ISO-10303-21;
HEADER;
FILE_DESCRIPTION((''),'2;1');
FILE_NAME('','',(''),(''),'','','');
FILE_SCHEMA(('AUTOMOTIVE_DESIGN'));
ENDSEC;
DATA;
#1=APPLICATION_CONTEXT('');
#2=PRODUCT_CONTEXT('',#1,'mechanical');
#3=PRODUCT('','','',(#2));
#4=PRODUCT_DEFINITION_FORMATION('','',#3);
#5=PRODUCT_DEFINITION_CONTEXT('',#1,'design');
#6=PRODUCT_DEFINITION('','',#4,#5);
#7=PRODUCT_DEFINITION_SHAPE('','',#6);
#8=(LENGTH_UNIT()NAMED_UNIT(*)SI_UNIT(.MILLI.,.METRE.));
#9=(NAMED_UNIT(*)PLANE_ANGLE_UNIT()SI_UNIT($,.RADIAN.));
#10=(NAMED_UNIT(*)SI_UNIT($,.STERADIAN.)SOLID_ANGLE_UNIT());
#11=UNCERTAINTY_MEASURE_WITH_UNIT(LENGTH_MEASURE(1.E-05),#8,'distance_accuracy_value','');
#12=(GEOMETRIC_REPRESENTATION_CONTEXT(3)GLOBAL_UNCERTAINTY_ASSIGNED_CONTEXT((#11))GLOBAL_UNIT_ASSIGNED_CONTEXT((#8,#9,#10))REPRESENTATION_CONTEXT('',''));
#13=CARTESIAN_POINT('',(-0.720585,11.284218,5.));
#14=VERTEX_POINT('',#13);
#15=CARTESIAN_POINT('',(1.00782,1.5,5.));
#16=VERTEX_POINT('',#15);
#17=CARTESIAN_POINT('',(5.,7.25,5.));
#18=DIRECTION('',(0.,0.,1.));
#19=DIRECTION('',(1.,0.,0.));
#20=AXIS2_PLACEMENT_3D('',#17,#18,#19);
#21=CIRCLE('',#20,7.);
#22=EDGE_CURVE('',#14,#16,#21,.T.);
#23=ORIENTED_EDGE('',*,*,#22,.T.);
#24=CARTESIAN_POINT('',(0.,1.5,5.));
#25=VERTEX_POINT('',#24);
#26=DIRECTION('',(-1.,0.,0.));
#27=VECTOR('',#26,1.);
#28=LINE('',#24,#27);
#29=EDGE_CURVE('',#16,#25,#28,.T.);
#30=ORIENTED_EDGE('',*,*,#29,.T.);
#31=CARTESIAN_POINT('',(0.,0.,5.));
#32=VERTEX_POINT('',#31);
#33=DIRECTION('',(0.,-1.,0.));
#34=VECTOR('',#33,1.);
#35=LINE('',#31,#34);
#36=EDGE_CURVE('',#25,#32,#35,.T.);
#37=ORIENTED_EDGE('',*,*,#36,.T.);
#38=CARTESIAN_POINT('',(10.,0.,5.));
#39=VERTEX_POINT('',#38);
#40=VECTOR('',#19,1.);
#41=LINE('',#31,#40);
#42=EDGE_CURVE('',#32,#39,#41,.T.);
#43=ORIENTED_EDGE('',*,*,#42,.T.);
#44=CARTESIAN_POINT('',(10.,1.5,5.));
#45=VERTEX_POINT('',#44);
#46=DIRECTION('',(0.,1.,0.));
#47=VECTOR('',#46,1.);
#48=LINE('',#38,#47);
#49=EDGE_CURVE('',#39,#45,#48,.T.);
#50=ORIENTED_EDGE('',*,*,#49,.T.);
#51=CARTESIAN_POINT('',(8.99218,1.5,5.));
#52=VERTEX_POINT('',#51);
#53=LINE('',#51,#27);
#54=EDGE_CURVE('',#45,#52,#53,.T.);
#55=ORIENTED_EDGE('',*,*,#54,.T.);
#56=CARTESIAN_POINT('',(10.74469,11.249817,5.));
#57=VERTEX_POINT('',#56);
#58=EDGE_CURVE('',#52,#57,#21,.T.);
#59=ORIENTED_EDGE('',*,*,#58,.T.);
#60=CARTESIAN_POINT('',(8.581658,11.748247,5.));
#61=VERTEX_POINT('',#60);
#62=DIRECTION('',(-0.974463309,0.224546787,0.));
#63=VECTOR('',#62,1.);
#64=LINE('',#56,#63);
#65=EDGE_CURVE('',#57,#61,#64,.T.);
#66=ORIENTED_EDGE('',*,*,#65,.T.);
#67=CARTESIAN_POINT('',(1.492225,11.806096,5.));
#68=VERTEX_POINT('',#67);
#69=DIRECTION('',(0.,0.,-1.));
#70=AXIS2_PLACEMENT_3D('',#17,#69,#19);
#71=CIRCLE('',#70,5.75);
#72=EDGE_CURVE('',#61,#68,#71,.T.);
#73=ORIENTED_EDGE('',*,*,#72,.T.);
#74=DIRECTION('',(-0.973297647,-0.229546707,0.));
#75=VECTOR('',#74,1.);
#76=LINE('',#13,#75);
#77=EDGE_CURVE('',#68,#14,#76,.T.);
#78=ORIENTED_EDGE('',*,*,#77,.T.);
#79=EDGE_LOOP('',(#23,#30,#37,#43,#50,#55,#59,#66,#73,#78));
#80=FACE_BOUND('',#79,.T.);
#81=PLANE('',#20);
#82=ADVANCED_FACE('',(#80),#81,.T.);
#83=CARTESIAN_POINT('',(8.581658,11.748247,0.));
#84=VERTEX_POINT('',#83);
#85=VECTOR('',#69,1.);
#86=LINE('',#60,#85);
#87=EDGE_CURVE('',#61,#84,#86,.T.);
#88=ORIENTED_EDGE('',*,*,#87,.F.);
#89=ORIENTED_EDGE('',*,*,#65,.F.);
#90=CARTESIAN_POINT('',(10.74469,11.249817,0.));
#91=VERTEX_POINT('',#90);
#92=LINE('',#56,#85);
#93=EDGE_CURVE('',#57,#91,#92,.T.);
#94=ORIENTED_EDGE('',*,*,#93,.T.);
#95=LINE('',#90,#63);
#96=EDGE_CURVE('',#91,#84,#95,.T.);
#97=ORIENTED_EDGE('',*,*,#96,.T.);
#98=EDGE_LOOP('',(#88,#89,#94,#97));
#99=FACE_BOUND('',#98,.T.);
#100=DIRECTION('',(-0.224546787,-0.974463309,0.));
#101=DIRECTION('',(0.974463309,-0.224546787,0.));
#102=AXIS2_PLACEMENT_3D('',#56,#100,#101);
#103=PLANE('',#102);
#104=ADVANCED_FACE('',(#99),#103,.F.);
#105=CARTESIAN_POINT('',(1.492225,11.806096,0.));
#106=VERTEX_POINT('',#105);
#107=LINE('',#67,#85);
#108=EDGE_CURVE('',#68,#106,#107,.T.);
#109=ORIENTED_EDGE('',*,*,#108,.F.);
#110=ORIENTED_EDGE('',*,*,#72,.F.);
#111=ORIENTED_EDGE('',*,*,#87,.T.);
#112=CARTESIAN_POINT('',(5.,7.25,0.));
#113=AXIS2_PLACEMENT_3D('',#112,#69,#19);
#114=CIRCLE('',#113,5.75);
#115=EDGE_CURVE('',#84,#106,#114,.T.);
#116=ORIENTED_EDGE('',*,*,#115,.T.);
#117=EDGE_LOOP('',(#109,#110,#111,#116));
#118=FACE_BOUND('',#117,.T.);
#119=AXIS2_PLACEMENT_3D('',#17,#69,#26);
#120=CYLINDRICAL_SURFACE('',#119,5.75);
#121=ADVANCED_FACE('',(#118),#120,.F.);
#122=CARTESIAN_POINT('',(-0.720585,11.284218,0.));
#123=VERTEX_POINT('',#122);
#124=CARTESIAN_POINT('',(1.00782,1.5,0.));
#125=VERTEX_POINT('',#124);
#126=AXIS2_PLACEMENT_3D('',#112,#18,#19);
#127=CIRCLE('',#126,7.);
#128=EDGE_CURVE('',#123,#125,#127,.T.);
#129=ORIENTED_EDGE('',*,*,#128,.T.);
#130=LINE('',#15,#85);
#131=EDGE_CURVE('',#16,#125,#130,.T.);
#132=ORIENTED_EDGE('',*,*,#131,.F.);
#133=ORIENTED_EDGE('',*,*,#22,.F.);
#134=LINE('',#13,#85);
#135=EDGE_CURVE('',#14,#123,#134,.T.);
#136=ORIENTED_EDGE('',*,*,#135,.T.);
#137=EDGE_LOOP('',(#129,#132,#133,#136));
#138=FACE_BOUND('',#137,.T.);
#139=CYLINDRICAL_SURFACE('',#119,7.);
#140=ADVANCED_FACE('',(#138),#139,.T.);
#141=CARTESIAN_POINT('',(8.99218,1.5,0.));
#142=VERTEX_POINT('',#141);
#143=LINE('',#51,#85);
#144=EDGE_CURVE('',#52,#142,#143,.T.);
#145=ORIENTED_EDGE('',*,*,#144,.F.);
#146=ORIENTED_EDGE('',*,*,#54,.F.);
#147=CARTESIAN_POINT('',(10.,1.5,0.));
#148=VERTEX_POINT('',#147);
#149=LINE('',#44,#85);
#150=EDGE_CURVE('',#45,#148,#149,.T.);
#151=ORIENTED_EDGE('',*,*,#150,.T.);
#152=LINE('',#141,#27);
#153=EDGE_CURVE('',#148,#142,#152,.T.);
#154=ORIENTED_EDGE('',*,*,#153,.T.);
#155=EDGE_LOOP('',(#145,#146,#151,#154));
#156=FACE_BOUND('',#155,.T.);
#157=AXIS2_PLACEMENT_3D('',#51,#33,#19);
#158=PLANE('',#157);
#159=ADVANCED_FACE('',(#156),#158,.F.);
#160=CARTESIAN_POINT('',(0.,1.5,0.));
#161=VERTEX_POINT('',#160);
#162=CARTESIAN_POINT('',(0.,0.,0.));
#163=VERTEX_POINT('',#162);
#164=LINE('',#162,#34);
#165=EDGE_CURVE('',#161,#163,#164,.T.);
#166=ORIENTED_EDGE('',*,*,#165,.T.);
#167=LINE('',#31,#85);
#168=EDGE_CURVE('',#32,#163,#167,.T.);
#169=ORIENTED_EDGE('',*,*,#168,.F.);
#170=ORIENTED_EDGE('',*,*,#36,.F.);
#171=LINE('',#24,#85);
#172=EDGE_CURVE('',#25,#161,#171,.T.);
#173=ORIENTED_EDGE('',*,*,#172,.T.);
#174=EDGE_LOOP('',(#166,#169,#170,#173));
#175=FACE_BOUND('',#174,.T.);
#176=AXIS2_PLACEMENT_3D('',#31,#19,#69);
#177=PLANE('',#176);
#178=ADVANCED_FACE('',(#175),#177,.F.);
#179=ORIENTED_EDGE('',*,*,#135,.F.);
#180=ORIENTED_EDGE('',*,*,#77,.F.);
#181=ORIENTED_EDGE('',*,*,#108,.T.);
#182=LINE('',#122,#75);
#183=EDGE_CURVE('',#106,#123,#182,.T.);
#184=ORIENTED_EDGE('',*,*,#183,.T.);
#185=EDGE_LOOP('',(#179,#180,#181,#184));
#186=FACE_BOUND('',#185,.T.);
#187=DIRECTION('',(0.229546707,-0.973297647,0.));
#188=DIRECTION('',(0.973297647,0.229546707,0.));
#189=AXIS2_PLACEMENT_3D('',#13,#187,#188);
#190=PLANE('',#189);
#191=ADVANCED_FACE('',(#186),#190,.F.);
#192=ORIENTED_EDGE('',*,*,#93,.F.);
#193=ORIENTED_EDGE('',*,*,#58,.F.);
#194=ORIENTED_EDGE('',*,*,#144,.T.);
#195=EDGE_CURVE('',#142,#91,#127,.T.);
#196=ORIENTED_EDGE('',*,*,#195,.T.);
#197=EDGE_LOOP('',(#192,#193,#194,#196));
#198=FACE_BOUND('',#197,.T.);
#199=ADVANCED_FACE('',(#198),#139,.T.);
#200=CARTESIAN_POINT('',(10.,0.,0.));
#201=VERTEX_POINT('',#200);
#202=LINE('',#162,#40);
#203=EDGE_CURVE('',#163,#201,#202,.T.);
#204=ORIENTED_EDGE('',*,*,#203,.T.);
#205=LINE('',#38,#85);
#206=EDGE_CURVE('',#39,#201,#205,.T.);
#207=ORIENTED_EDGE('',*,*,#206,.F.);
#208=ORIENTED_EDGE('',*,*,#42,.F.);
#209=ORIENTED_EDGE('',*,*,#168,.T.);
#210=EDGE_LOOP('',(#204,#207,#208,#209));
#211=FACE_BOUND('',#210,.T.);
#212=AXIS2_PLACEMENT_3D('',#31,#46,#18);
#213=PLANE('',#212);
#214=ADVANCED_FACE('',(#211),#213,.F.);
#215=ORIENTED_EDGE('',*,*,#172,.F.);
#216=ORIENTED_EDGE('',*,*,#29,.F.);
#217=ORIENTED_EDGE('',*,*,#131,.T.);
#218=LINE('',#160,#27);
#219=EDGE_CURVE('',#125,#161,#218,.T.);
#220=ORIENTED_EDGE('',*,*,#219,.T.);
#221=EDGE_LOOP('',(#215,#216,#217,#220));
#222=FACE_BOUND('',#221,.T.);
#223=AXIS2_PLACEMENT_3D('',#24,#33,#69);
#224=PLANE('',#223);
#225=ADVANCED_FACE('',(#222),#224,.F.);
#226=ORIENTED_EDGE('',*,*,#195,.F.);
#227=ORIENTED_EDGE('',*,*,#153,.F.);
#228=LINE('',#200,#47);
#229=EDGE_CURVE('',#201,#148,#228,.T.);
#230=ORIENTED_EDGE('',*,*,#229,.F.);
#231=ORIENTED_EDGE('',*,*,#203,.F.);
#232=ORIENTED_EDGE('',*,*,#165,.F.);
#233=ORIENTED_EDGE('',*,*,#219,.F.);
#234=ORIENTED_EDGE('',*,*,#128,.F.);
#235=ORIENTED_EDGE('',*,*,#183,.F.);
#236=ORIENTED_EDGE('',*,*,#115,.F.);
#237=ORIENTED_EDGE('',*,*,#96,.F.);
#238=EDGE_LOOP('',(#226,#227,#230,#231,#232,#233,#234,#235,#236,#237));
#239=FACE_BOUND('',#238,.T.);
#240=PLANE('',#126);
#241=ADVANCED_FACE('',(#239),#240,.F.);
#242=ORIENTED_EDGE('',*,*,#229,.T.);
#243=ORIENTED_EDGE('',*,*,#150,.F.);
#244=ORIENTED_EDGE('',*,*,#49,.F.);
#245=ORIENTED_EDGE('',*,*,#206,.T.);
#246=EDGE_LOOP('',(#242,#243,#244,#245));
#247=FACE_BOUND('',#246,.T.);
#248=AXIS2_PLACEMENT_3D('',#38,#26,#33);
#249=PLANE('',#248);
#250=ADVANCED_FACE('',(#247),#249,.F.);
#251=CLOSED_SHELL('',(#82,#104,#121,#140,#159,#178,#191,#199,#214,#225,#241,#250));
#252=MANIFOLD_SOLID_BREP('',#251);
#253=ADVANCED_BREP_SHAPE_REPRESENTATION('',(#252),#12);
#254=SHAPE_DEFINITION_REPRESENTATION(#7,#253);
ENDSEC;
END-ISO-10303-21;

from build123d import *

# Parameters (mm, degrees)
EXTRUDE_1_DEPTH = 5


with BuildPart() as part:
    # 草图1 → 凸台-拉伸1 (new body)
    with BuildSketch(Plane.XY):
        with BuildLine():
            Line((8.992179856, 1.5), (10, 1.5))
            Line((10, 1.5), (10, 0))
            Line((10, 0), (0, 0))
            Line((0, 0), (0, 1.5))
            Line((0, 1.5), (1.007820144, 1.5))
            ThreePointArc((1.007820144, 1.5), (-1.893270413, 6.032287794), (-0.720584593, 11.284217633))
            Line((-0.720584593, 11.284217633), (1.492224546, 11.806096066))
            ThreePointArc((1.492224546, 11.806096066), (4.953081958, 1.500191421), (8.581658268, 11.748246776))
            Line((8.581658268, 11.748246776), (10.744690333, 11.249816618))
            ThreePointArc((10.744690333, 11.249816618), (11.889585712, 6.011610437), (8.992179856, 1.5))
        make_face()
    extrude(amount=EXTRUDE_1_DEPTH)


solid = part.part
